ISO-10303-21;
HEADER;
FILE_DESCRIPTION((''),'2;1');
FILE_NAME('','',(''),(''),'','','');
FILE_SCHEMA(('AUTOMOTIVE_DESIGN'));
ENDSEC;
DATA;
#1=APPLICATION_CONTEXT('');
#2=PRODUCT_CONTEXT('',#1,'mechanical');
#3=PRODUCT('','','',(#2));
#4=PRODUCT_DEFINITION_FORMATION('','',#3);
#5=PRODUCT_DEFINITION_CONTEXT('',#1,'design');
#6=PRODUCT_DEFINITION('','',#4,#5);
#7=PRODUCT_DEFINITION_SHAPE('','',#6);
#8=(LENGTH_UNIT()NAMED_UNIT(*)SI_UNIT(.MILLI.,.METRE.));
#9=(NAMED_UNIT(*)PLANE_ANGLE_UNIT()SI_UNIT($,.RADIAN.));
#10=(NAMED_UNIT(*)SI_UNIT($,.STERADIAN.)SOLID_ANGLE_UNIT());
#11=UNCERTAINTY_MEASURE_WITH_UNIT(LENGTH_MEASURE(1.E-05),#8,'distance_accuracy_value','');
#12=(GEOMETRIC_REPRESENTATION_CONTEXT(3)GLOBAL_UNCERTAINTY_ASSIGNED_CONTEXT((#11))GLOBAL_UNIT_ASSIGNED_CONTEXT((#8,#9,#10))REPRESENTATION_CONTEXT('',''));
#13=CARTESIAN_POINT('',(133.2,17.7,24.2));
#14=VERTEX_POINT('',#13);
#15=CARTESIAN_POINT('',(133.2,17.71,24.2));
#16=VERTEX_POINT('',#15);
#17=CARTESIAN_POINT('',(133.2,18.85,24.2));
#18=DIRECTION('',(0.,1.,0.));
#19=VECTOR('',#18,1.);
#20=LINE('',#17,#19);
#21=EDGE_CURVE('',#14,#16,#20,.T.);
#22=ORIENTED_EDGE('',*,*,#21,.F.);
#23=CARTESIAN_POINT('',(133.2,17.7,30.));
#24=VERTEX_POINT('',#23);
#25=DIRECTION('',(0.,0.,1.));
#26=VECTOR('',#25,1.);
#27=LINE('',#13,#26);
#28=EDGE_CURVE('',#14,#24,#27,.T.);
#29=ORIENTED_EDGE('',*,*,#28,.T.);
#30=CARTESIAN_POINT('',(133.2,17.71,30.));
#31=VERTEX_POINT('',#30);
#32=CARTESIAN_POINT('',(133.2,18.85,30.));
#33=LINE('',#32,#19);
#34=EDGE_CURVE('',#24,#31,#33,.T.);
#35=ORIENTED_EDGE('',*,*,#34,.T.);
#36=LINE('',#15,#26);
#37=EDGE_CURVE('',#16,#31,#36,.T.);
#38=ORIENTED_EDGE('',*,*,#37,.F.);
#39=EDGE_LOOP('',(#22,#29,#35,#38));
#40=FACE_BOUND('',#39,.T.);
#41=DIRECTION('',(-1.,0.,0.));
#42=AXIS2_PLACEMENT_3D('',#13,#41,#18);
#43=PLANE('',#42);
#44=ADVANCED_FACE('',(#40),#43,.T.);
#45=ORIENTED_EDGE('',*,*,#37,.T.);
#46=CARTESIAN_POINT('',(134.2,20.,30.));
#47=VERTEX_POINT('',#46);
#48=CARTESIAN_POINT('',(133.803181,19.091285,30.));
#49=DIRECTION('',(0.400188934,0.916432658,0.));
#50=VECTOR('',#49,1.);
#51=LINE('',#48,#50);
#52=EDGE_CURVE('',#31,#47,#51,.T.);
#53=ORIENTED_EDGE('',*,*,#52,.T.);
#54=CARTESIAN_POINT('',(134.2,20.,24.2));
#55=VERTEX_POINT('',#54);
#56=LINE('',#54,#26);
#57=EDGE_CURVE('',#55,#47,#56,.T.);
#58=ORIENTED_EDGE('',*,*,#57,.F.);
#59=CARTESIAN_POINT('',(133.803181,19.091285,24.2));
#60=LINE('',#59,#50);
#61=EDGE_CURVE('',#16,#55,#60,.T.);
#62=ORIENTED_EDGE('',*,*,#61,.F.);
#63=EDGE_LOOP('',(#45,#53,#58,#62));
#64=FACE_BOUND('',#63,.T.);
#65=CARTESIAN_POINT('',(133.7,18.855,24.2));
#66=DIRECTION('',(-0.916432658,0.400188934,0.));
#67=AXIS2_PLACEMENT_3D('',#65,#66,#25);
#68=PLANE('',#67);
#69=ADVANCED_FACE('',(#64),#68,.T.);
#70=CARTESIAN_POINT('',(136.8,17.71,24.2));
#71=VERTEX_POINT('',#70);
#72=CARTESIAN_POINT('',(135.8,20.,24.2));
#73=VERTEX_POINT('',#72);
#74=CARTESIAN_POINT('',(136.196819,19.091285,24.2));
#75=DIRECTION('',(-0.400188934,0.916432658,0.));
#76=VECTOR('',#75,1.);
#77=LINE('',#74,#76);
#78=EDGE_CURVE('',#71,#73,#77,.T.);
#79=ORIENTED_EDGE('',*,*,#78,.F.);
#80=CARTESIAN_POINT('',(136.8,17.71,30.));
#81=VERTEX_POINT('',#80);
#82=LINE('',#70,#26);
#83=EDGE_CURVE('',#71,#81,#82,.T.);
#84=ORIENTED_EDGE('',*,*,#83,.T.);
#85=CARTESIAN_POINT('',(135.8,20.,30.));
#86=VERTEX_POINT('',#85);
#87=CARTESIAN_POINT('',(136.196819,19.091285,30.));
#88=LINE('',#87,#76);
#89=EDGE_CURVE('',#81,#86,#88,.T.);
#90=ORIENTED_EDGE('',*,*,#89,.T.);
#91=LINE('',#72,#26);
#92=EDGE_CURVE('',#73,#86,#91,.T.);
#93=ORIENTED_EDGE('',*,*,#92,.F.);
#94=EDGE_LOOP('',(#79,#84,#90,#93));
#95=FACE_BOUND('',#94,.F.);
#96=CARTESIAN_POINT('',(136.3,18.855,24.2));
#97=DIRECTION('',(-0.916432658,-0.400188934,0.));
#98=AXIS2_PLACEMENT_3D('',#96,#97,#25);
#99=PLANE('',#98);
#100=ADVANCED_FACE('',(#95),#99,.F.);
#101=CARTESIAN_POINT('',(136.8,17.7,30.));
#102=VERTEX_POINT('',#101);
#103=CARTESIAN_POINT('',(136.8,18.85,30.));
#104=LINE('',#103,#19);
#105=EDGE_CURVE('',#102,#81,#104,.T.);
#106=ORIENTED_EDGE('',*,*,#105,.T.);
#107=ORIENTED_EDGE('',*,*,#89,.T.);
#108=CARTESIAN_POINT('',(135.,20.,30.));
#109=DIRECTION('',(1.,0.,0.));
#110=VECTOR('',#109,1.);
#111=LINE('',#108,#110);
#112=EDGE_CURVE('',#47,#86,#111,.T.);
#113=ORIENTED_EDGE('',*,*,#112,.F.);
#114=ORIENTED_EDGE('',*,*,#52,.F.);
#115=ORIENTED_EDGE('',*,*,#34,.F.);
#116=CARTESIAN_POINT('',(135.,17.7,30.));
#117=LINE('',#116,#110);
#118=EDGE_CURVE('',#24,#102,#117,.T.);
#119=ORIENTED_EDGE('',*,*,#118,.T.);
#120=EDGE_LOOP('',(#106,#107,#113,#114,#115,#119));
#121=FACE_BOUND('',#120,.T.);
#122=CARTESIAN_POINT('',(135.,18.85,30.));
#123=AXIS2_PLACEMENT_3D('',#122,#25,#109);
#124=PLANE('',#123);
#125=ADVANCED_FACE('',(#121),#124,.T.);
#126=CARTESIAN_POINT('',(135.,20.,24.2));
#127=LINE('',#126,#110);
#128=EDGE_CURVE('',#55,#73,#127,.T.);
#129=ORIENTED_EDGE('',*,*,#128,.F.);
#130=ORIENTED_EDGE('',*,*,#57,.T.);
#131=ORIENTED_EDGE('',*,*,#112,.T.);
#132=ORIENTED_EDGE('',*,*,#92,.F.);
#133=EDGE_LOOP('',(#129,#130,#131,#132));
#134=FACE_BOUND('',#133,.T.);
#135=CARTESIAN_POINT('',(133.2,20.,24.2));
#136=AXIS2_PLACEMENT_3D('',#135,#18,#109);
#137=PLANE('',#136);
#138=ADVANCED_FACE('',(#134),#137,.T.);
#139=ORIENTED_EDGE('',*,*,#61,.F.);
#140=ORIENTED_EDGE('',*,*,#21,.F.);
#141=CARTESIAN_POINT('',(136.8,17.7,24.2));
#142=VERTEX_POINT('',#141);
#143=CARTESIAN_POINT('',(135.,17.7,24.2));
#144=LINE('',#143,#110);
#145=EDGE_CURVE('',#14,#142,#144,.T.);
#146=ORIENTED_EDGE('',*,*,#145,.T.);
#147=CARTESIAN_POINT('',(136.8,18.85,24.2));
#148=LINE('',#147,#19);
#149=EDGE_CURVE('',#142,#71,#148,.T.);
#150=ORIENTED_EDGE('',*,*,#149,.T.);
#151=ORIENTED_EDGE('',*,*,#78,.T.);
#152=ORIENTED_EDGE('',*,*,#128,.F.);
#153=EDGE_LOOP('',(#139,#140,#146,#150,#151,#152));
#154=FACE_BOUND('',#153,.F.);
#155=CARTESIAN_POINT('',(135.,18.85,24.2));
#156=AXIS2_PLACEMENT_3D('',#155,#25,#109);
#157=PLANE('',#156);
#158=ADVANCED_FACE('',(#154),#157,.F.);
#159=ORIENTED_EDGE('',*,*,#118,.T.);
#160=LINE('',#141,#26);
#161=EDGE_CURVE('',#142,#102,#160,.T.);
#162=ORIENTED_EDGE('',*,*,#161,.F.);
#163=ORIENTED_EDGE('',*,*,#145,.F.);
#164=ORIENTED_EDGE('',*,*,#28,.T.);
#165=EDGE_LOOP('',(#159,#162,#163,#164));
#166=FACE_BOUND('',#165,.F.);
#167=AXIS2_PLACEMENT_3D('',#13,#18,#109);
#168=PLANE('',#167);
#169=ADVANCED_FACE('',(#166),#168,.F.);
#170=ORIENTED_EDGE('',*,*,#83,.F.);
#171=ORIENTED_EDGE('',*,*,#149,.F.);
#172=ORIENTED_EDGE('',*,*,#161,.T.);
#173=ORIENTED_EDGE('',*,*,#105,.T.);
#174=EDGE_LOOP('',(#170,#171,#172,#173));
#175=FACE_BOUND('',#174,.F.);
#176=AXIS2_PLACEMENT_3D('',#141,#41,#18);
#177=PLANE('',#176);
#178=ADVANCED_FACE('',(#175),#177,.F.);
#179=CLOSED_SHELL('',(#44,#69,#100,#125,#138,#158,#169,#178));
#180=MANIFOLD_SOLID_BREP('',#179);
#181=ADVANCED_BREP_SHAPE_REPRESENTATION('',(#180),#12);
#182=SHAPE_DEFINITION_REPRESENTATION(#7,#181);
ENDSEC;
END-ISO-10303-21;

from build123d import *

# Parameters (mm, degrees)
BOX039_W           = 3.6
BOX039_H           = 2.3
BOX039_DEPTH       = 5.8
CHAMFER034_1_SIZE2 = 1
CHAMFER034_1_SIZE  = 2.29
CHAMFER034_2_SIZE2 = 1
CHAMFER034_2_SIZE  = 2.29


with BuildPart() as part:
    # Box039 → Box039 (new body)
    with BuildSketch(Plane(origin=(53.2, 17.7, 24.2), x_dir=(1, 0, 0), z_dir=(0, 0, 1))):
        with Locations((1.8, 1.15)):
            Rectangle(BOX039_W, BOX039_H)
    extrude(amount=BOX039_DEPTH)

    # Chamfer034 1
    chamfer034_1_edges = [part.edges().sort_by_distance(p)[0] for p in [
        (56.8, 20, 27.1),
    ]]
    chamfer034_1_side = part.faces().sort_by_distance((56.8, 18.85, 27.1))[0]
    chamfer(chamfer034_1_edges, length=CHAMFER034_1_SIZE, length2=CHAMFER034_1_SIZE2, reference=chamfer034_1_side)

    # Chamfer034 2
    chamfer034_2_edges = [part.edges().sort_by_distance(p)[0] for p in [
        (53.2, 20, 27.1),
    ]]
    chamfer034_2_side = part.faces().sort_by_distance((53.2, 18.85, 27.1))[0]
    chamfer(chamfer034_2_edges, length=CHAMFER034_2_SIZE, length2=CHAMFER034_2_SIZE2, reference=chamfer034_2_side)


with BuildPart() as part_1:
    # Chamfer034 placement: moved
    add(part.part.moved(Location((80, 0, 0))))


solid = part_1.part
